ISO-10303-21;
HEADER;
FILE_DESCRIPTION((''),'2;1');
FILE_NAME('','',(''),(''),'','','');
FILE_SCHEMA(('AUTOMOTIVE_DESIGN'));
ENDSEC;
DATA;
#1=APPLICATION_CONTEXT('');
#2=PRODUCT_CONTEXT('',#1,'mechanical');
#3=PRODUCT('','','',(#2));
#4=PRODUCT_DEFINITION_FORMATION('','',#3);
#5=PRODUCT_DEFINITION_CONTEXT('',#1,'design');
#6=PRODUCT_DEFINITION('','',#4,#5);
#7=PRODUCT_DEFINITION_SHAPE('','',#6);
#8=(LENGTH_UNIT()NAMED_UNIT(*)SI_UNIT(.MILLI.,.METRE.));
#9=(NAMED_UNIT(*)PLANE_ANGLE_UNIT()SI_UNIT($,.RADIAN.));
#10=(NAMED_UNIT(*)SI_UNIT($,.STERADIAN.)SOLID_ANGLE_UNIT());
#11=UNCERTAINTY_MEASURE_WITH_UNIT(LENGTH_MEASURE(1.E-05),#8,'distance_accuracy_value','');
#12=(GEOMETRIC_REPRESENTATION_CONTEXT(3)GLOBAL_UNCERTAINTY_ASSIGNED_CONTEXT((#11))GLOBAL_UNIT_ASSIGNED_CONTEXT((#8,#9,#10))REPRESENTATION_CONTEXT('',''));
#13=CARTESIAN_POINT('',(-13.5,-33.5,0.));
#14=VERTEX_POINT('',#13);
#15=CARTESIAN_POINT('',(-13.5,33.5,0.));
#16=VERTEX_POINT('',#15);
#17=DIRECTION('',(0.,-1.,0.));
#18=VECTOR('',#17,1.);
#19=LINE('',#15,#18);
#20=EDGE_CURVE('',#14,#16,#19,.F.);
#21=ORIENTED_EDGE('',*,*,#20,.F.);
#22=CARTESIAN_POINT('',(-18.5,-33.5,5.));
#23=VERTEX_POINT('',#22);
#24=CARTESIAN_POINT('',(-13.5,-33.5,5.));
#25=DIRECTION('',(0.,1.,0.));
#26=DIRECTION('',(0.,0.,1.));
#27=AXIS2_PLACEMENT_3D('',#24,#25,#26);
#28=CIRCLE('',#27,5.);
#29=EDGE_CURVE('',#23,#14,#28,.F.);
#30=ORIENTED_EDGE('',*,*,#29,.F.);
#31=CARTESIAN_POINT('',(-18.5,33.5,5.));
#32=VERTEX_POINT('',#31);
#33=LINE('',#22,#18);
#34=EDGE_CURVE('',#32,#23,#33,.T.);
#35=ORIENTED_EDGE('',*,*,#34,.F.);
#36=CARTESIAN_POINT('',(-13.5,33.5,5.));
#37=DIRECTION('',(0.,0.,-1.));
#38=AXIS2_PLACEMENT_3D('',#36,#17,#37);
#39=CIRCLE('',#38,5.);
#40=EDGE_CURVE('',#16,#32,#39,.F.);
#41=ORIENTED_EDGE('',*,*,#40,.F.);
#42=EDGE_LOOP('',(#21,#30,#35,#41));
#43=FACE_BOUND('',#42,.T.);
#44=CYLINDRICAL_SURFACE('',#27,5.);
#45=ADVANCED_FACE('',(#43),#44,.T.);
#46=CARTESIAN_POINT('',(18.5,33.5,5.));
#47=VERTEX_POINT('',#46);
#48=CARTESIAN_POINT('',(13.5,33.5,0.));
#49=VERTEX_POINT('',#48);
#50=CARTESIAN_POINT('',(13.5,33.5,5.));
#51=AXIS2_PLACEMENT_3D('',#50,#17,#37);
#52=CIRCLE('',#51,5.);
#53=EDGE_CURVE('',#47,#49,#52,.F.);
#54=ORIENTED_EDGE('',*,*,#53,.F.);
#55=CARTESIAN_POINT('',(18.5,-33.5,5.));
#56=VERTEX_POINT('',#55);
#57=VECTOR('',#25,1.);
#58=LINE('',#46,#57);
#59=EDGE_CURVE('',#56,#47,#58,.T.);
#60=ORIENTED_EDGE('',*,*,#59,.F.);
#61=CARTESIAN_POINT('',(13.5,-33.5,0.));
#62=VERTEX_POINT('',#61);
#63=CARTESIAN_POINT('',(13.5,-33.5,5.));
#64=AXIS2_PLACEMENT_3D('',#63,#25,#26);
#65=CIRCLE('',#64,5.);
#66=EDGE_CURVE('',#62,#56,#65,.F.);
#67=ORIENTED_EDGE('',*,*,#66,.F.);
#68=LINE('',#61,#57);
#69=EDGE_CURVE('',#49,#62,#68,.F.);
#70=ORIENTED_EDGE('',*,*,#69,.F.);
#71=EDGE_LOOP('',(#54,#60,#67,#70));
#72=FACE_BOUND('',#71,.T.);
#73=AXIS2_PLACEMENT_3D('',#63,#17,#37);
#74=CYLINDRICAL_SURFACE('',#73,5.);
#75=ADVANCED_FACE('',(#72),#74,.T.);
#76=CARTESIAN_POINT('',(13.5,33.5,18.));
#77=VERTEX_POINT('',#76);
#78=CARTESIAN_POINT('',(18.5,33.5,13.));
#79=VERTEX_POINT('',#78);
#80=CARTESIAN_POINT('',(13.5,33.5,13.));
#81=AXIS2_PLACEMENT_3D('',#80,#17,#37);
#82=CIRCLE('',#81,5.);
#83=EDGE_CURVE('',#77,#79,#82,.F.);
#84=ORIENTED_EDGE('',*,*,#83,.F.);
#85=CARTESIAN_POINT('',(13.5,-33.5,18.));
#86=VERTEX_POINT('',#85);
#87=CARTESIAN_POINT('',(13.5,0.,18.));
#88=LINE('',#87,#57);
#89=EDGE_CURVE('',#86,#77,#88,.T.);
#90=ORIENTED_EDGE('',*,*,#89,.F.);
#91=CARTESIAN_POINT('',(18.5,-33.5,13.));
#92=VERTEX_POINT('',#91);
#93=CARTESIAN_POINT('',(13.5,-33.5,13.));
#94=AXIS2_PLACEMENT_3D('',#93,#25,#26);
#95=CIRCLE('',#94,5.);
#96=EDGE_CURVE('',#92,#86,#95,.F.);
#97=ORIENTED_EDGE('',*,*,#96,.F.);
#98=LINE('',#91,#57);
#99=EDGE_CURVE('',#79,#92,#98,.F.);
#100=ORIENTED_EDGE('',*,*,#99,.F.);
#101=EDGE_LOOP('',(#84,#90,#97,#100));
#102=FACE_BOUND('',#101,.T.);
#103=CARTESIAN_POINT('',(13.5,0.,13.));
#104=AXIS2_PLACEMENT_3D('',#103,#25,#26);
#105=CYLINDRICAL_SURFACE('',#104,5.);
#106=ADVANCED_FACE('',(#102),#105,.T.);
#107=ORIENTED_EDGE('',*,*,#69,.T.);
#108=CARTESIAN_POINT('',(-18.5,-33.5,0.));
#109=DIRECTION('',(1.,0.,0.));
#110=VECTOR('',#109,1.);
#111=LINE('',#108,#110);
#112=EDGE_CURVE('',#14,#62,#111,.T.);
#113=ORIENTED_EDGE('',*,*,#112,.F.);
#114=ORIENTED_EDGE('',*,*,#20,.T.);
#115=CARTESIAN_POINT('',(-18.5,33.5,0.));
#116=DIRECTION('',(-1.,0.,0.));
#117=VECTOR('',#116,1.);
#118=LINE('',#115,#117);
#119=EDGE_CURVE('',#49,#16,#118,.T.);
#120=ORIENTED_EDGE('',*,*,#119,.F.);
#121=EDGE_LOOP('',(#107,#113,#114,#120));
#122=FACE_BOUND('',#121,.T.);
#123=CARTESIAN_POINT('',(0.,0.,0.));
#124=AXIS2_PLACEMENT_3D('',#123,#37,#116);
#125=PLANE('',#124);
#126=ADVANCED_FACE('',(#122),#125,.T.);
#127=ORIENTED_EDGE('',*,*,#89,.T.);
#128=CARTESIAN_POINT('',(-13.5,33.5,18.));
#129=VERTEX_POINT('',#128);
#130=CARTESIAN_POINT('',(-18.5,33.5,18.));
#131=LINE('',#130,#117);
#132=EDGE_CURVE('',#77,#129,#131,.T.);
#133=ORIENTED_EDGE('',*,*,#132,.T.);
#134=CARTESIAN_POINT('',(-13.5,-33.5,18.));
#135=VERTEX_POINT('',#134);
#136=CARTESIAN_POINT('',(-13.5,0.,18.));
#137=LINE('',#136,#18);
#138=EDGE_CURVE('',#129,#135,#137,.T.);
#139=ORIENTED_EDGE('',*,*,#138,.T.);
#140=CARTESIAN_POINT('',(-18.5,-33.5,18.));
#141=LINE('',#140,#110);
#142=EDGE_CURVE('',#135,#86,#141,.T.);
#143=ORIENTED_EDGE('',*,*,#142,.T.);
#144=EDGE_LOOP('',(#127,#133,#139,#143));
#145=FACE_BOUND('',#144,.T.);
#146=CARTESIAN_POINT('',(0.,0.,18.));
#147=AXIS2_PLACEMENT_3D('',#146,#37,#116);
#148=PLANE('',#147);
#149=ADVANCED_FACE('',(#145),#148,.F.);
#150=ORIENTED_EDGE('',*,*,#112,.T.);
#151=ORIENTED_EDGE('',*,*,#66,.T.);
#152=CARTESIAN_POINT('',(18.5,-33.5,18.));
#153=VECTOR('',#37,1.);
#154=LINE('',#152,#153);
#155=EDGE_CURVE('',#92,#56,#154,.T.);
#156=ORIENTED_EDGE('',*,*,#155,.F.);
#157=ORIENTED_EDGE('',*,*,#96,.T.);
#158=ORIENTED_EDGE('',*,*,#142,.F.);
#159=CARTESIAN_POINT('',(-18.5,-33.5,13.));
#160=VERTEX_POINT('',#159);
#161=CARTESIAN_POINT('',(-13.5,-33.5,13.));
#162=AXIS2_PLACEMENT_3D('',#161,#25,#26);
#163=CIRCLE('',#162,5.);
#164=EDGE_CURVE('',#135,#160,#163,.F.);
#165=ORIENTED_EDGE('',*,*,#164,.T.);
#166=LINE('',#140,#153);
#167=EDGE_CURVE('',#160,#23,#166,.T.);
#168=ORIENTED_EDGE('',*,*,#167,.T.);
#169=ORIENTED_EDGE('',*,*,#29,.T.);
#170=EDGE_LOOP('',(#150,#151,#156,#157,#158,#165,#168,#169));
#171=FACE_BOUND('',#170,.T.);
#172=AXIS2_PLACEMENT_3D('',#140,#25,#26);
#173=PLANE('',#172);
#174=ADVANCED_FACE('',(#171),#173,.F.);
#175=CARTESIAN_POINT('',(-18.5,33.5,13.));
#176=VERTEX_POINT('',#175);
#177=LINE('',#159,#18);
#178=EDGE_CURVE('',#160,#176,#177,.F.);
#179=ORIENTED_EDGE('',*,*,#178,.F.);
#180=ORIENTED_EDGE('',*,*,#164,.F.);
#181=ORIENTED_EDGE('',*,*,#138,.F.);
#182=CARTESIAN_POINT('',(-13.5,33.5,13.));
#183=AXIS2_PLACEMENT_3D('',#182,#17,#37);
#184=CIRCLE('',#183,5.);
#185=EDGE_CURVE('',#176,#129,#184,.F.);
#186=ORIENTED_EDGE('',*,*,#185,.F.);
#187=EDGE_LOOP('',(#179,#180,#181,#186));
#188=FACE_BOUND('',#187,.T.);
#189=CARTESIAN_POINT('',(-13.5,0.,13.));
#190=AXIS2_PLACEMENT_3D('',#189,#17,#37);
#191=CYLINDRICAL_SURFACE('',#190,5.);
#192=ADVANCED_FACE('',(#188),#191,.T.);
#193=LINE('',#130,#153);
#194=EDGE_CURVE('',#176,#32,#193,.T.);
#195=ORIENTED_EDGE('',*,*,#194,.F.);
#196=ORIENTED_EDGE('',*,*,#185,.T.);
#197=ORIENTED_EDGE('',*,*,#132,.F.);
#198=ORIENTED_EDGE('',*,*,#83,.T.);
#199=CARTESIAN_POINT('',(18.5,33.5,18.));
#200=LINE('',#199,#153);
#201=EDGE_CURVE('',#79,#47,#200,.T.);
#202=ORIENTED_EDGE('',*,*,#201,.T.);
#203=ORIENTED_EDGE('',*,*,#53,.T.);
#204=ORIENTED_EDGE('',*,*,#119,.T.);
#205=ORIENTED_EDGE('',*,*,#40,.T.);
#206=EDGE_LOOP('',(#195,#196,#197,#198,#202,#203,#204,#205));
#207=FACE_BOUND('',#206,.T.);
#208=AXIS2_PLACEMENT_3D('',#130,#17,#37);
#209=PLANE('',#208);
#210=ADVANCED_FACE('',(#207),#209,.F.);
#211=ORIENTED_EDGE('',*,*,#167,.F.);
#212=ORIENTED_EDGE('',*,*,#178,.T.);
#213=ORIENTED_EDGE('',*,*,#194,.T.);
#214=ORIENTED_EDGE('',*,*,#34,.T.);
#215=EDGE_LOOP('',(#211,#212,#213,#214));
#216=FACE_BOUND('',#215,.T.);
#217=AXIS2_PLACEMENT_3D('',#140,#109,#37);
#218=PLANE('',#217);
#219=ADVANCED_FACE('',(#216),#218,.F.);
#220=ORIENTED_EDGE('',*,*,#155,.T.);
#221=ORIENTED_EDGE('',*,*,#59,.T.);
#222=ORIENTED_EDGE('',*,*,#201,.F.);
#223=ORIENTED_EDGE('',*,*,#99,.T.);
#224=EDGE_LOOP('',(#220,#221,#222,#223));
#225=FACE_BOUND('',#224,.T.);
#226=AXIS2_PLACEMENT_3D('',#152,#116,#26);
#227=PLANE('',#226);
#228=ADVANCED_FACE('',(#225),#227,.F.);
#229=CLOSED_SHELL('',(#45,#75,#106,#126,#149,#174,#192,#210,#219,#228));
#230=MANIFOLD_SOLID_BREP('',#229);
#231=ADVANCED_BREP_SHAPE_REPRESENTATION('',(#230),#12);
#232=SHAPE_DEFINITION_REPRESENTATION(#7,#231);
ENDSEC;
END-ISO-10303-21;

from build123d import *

# Parameters (mm, degrees)
SKETCH_1_W      = 37
SKETCH_1_H      = 67
EXTRUDE_1_DEPTH = 18
FILLET_2_R      = 5


with BuildPart() as part:
    # 草图1 → 凸台-拉伸1 (new body)
    with BuildSketch(Plane.XY):
        Rectangle(SKETCH_1_W, SKETCH_1_H)
    extrude(amount=EXTRUDE_1_DEPTH)

    # 圆角2
    fillet_2_edges = [part.edges().sort_by_distance(p)[0] for p in [
        (-18.5, 0, 18),
        (18.5, 0, 18),
        (-18.5, 0, 0),
        (18.5, 0, 0),
    ]]
    fillet(fillet_2_edges, radius=FILLET_2_R)


solid = part.part
